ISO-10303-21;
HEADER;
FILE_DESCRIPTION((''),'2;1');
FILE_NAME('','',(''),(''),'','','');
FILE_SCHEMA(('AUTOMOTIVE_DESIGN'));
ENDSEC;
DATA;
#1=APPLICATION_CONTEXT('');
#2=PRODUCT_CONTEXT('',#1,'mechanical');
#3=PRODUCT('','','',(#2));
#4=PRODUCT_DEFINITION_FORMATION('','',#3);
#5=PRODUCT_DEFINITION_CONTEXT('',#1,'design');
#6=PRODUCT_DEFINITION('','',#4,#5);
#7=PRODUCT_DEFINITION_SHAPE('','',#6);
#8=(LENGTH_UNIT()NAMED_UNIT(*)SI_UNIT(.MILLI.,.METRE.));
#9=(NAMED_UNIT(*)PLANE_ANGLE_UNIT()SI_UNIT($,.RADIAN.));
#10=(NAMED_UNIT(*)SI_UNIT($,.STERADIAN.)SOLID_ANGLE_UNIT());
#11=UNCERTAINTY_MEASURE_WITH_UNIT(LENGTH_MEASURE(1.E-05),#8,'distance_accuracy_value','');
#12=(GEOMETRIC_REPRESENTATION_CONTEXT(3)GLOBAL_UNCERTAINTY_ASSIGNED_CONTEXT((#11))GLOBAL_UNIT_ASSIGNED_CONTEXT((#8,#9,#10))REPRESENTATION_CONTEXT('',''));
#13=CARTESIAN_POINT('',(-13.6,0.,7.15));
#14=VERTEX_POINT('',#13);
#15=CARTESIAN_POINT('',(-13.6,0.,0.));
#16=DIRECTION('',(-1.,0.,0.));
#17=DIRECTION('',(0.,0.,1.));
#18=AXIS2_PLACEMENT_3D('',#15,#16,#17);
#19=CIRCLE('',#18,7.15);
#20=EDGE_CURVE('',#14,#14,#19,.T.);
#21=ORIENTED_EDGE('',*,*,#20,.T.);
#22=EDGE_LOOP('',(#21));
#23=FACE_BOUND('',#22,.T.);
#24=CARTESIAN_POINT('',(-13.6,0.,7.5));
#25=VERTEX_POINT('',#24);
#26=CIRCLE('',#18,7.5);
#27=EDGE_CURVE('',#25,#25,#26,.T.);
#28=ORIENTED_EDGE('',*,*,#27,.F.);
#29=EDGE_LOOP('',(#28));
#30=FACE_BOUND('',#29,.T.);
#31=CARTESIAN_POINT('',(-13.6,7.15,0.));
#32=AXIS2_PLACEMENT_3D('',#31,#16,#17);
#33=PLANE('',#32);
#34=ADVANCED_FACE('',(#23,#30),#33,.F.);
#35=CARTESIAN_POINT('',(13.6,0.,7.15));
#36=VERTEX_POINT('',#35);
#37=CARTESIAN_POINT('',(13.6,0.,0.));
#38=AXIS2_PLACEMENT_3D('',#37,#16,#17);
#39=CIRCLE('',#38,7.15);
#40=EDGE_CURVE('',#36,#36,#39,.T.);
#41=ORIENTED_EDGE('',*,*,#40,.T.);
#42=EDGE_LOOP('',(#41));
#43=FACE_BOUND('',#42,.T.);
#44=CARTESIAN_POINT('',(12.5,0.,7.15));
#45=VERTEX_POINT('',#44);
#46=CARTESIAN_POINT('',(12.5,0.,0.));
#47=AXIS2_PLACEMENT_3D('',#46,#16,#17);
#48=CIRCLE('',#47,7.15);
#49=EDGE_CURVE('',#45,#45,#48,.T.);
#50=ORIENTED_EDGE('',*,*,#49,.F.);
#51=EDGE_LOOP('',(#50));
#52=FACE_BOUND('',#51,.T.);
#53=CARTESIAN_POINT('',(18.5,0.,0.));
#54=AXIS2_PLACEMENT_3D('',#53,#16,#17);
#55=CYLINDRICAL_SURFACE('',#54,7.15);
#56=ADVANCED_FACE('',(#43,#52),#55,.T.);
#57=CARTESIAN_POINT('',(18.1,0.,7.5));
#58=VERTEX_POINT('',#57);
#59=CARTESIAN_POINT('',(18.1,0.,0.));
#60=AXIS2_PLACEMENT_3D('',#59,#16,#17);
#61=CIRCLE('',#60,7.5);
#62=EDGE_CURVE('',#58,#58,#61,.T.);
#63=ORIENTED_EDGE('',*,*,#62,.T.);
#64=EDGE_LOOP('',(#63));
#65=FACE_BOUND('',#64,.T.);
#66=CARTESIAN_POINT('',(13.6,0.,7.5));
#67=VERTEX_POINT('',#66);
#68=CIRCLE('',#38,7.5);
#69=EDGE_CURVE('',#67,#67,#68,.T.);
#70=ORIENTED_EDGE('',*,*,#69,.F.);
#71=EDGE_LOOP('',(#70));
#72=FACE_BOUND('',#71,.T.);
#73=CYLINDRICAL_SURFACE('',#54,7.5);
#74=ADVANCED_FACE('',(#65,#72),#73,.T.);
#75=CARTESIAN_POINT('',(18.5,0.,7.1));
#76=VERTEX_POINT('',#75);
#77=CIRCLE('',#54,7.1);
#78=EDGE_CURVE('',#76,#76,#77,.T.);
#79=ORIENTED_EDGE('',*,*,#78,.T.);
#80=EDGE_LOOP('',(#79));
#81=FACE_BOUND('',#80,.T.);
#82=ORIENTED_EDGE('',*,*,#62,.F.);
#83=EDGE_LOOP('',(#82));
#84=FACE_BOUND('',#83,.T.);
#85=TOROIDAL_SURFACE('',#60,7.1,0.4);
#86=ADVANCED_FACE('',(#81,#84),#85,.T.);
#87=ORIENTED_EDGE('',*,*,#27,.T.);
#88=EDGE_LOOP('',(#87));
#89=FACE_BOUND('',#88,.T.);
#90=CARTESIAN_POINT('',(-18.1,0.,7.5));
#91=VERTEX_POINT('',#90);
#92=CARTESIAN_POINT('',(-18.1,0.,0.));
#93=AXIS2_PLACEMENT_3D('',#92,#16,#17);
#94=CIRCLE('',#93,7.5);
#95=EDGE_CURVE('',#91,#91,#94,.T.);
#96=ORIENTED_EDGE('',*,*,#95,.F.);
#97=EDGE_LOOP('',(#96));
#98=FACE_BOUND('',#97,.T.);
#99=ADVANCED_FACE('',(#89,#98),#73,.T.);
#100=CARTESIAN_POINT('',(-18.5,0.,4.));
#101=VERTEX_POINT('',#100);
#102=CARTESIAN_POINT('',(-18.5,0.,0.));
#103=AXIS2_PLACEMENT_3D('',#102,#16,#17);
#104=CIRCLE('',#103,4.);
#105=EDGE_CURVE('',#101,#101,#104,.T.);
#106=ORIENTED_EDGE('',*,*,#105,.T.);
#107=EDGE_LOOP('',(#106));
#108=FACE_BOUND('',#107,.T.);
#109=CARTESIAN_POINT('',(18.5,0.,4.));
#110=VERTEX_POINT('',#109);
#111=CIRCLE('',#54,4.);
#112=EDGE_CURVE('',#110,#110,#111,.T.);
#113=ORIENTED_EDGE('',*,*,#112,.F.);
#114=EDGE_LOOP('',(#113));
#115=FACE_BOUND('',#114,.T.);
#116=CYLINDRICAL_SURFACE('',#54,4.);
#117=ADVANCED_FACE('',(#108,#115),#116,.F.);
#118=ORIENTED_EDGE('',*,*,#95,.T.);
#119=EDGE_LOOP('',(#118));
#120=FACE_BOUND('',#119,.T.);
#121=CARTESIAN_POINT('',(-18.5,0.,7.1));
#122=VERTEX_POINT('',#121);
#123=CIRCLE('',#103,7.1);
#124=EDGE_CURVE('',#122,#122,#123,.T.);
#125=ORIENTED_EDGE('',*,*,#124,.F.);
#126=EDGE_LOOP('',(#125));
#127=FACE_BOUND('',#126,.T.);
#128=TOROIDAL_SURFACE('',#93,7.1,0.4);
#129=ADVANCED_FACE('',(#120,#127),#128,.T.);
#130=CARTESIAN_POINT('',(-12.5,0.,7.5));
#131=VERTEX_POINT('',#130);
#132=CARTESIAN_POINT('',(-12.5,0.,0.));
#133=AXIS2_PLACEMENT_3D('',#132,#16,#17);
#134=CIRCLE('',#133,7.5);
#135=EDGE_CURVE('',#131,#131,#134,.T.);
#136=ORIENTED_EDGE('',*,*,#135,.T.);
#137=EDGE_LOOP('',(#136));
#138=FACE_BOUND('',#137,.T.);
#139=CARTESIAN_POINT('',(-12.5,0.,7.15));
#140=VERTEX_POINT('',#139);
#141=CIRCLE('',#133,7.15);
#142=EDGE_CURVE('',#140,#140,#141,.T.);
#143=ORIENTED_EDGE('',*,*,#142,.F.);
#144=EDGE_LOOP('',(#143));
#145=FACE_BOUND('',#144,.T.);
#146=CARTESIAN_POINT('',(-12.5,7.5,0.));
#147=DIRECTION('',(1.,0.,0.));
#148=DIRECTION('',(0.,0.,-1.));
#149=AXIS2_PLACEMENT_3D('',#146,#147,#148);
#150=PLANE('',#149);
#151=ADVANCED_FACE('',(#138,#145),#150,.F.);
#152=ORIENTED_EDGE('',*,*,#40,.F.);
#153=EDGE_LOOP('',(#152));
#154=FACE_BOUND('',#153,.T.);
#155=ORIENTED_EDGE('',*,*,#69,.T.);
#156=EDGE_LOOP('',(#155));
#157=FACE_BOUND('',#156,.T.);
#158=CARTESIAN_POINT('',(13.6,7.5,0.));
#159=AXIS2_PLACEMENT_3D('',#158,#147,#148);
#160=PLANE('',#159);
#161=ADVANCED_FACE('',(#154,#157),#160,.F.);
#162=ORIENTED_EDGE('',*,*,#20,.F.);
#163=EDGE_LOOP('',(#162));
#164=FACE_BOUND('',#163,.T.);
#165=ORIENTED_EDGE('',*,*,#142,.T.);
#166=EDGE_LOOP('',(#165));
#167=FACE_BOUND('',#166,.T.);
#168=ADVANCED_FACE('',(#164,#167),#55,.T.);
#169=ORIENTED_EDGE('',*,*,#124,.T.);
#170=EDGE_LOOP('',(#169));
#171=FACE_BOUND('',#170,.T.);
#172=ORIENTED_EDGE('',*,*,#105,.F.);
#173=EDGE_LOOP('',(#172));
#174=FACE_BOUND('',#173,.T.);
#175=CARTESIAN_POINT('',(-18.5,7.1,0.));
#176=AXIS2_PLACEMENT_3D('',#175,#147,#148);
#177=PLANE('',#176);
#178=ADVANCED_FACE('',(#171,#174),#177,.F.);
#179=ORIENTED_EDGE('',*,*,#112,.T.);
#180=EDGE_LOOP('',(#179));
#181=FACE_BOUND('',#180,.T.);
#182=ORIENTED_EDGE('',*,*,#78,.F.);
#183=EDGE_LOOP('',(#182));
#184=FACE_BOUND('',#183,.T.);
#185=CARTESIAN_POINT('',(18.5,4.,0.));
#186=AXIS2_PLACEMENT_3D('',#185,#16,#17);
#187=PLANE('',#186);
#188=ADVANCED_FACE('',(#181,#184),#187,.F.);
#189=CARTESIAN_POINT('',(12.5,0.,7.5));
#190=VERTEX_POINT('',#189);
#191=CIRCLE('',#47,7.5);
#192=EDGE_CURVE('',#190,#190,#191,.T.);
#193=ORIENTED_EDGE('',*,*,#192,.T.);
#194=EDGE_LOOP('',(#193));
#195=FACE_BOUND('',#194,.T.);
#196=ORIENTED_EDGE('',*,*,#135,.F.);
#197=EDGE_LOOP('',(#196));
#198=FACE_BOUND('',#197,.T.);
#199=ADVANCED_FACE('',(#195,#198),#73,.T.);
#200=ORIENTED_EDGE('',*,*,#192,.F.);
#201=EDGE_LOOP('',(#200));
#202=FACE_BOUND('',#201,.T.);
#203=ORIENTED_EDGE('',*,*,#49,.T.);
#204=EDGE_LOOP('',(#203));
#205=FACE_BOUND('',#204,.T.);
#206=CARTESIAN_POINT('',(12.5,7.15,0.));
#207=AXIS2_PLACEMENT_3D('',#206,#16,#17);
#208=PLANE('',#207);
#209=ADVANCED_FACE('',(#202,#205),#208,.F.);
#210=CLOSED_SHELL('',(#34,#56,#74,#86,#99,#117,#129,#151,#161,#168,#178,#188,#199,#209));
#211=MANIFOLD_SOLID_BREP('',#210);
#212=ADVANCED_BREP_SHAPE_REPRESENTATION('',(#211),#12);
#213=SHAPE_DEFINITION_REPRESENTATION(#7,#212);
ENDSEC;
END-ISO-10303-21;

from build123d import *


with BuildPart() as part:
    # Sketch1 → Revolve1 (revolve)
    with BuildSketch(Plane.XY):
        with BuildLine():
            Line((-18.5, 7.1), (-18.5, 4))
            Line((-18.5, 4), (18.5, 4))
            Line((18.5, 4), (18.5, 7.1))
            ThreePointArc((18.5, 7.1), (18.382842712, 7.382842712), (18.1, 7.5))
            Line((18.1, 7.5), (13.6, 7.5))
            Line((13.6, 7.5), (13.6, 7.15))
            Line((13.6, 7.15), (12.5, 7.15))
            Line((12.5, 7.15), (12.5, 7.5))
            Line((12.5, 7.5), (-12.5, 7.5))
            Line((-12.5, 7.5), (-12.5, 7.15))
            Line((-12.5, 7.15), (-13.6, 7.15))
            Line((-13.6, 7.15), (-13.6, 7.5))
            Line((-13.6, 7.5), (-18.1, 7.5))
            ThreePointArc((-18.1, 7.5), (-18.382842712, 7.382842712), (-18.5, 7.1))
        make_face()
    revolve(axis=Axis((18.5, 0, 0), (-1, 0, 0)))


solid = part.part
